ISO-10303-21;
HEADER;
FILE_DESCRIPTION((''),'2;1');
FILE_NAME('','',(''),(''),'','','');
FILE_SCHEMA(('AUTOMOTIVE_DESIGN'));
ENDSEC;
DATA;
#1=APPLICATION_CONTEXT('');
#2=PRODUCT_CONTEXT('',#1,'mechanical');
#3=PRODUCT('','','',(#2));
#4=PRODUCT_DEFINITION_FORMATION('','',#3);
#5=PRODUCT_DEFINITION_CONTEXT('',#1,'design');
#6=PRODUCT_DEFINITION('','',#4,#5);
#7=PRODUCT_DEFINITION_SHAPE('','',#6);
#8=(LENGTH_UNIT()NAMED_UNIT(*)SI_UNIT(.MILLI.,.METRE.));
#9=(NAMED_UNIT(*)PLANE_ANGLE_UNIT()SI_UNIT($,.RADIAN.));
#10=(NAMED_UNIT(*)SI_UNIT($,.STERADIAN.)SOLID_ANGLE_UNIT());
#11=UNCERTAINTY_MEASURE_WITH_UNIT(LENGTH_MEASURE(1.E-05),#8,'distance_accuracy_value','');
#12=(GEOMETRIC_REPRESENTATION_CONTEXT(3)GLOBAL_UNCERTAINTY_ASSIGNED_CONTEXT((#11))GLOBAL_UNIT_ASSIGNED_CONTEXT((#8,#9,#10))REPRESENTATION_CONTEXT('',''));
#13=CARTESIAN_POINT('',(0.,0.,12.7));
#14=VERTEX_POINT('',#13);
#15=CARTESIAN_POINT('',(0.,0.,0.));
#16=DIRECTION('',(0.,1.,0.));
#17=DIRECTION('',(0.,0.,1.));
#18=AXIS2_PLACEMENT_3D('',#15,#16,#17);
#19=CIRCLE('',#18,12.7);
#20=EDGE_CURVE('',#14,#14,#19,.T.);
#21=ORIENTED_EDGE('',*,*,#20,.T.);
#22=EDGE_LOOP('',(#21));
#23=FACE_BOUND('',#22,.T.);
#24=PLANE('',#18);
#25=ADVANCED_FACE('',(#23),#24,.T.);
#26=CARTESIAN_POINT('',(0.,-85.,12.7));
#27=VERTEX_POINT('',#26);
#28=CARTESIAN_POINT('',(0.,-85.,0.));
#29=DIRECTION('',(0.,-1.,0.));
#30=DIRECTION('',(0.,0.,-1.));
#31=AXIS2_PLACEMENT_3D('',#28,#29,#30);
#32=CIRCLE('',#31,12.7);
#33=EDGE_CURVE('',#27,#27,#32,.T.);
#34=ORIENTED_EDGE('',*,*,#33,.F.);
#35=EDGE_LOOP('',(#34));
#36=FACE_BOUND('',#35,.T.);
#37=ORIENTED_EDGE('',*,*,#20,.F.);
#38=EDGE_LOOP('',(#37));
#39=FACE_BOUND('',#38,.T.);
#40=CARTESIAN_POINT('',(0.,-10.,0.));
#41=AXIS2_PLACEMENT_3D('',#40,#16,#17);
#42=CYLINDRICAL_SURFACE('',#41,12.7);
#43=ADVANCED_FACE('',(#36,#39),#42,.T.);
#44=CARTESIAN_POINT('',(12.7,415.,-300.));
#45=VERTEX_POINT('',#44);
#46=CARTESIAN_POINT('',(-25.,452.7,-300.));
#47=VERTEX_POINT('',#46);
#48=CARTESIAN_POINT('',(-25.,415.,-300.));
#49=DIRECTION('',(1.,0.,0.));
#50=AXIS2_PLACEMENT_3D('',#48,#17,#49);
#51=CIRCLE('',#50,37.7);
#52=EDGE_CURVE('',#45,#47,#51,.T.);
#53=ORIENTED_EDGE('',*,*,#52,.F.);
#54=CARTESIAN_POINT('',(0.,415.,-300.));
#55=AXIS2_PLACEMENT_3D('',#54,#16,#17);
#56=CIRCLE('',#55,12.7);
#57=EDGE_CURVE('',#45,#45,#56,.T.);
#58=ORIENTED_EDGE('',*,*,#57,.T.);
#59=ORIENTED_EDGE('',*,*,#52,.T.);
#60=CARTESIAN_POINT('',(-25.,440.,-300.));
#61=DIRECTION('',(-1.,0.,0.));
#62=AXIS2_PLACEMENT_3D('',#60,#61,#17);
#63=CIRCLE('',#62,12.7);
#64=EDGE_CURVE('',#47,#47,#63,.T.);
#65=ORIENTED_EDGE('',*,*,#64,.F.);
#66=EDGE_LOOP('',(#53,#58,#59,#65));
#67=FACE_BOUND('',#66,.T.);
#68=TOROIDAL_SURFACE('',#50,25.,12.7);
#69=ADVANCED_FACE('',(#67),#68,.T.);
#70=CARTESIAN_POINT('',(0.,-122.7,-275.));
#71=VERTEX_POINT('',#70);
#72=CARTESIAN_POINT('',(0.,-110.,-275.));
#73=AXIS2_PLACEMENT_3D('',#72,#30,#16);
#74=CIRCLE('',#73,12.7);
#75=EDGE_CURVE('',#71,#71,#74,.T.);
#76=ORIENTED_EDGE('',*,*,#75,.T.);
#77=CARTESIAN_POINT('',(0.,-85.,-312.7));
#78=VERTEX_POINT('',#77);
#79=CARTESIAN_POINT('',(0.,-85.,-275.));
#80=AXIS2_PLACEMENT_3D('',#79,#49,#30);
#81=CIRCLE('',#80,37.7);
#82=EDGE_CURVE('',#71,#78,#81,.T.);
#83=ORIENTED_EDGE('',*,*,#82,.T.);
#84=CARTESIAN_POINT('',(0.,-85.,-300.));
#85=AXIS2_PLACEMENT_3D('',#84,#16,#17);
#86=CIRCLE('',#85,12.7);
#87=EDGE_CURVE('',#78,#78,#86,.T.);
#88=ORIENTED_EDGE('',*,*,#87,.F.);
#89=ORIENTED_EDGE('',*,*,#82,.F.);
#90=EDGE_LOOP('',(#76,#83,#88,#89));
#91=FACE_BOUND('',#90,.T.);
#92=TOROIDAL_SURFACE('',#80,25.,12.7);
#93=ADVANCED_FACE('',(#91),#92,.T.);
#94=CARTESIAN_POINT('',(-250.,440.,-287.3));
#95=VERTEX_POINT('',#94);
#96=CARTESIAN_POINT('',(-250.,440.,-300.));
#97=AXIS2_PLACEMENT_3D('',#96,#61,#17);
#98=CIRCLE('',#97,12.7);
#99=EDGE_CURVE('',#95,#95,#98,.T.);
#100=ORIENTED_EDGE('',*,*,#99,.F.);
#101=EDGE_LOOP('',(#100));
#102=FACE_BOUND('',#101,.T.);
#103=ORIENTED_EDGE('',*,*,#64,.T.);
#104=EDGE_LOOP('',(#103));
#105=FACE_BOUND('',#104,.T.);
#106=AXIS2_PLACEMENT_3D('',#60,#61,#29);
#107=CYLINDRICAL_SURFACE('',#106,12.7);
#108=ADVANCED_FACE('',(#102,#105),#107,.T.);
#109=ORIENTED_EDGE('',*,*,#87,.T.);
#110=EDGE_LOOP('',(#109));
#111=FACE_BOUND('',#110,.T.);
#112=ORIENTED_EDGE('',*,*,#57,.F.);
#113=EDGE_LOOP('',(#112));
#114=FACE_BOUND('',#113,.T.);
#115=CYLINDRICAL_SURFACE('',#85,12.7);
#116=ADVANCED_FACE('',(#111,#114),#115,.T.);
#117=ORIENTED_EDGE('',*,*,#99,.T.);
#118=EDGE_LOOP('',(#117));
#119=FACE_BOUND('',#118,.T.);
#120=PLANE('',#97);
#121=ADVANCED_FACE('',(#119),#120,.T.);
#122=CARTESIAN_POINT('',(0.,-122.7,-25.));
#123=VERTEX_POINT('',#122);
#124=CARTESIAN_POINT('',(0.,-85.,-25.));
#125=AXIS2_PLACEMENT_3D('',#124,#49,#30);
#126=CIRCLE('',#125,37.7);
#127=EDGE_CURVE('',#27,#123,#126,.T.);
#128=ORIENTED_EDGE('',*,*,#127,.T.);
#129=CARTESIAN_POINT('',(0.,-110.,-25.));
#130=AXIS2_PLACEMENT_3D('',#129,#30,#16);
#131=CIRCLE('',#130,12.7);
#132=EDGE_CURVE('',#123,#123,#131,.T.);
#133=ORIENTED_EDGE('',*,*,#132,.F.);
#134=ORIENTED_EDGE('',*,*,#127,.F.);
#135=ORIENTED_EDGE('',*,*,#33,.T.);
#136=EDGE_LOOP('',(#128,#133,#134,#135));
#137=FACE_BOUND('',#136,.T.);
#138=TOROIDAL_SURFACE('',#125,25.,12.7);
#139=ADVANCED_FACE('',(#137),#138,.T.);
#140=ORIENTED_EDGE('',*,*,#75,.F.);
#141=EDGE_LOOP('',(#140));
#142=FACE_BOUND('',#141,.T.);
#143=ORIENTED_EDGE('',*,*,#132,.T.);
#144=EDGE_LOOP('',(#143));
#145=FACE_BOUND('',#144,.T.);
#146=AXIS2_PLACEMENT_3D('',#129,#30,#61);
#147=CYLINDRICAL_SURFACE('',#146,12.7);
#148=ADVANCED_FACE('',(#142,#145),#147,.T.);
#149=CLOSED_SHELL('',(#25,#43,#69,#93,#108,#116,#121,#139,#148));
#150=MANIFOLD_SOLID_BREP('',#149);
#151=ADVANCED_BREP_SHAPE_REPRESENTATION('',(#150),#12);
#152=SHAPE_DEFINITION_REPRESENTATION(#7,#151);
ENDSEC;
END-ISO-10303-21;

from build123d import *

# Parameters (mm, degrees)
CROQUIS1_R              = 12.7
SALIENTE_EXTRUIR1_DEPTH = 10
CROQUIS2_R              = 12.7


with BuildPart() as part:
    # Croquis1 → Saliente-Extruir1 (new body)
    with BuildSketch(Plane(origin=(0, 0, 0), x_dir=(1, 0, 0), z_dir=(0, 1, 0))):
        with Locations(Location((0, 0, 0), (0, 0, 270))):
            Circle(CROQUIS1_R)
    extrude(amount=-SALIENTE_EXTRUIR1_DEPTH)

    # Barrer1: sweep along a curve in space
    with BuildLine() as barrer1_path:
        Line((0, -10, 0), (0, -85, 0))
        ThreePointArc((0, -85, 0), (0, -102.67766953, -7.32233047), (0, -110, -25))
        Line((0, -110, -25), (0, -110, -275))
        ThreePointArc((0, -110, -275), (0, -102.67766953, -292.67766953), (0, -85, -300))
        Line((0, -85, -300), (0, 415, -300))
        ThreePointArc((0, 415, -300), (-7.32233047, 432.67766953, -300), (-25, 440, -300))
        Line((-25, 440, -300), (-250, 440, -300))
    # Croquis2 → Barrer1 (sweep)
    with BuildSketch(Plane.XZ.offset(10)):
        Circle(CROQUIS2_R)
    sweep(path=barrer1_path.line)


solid = part.part
